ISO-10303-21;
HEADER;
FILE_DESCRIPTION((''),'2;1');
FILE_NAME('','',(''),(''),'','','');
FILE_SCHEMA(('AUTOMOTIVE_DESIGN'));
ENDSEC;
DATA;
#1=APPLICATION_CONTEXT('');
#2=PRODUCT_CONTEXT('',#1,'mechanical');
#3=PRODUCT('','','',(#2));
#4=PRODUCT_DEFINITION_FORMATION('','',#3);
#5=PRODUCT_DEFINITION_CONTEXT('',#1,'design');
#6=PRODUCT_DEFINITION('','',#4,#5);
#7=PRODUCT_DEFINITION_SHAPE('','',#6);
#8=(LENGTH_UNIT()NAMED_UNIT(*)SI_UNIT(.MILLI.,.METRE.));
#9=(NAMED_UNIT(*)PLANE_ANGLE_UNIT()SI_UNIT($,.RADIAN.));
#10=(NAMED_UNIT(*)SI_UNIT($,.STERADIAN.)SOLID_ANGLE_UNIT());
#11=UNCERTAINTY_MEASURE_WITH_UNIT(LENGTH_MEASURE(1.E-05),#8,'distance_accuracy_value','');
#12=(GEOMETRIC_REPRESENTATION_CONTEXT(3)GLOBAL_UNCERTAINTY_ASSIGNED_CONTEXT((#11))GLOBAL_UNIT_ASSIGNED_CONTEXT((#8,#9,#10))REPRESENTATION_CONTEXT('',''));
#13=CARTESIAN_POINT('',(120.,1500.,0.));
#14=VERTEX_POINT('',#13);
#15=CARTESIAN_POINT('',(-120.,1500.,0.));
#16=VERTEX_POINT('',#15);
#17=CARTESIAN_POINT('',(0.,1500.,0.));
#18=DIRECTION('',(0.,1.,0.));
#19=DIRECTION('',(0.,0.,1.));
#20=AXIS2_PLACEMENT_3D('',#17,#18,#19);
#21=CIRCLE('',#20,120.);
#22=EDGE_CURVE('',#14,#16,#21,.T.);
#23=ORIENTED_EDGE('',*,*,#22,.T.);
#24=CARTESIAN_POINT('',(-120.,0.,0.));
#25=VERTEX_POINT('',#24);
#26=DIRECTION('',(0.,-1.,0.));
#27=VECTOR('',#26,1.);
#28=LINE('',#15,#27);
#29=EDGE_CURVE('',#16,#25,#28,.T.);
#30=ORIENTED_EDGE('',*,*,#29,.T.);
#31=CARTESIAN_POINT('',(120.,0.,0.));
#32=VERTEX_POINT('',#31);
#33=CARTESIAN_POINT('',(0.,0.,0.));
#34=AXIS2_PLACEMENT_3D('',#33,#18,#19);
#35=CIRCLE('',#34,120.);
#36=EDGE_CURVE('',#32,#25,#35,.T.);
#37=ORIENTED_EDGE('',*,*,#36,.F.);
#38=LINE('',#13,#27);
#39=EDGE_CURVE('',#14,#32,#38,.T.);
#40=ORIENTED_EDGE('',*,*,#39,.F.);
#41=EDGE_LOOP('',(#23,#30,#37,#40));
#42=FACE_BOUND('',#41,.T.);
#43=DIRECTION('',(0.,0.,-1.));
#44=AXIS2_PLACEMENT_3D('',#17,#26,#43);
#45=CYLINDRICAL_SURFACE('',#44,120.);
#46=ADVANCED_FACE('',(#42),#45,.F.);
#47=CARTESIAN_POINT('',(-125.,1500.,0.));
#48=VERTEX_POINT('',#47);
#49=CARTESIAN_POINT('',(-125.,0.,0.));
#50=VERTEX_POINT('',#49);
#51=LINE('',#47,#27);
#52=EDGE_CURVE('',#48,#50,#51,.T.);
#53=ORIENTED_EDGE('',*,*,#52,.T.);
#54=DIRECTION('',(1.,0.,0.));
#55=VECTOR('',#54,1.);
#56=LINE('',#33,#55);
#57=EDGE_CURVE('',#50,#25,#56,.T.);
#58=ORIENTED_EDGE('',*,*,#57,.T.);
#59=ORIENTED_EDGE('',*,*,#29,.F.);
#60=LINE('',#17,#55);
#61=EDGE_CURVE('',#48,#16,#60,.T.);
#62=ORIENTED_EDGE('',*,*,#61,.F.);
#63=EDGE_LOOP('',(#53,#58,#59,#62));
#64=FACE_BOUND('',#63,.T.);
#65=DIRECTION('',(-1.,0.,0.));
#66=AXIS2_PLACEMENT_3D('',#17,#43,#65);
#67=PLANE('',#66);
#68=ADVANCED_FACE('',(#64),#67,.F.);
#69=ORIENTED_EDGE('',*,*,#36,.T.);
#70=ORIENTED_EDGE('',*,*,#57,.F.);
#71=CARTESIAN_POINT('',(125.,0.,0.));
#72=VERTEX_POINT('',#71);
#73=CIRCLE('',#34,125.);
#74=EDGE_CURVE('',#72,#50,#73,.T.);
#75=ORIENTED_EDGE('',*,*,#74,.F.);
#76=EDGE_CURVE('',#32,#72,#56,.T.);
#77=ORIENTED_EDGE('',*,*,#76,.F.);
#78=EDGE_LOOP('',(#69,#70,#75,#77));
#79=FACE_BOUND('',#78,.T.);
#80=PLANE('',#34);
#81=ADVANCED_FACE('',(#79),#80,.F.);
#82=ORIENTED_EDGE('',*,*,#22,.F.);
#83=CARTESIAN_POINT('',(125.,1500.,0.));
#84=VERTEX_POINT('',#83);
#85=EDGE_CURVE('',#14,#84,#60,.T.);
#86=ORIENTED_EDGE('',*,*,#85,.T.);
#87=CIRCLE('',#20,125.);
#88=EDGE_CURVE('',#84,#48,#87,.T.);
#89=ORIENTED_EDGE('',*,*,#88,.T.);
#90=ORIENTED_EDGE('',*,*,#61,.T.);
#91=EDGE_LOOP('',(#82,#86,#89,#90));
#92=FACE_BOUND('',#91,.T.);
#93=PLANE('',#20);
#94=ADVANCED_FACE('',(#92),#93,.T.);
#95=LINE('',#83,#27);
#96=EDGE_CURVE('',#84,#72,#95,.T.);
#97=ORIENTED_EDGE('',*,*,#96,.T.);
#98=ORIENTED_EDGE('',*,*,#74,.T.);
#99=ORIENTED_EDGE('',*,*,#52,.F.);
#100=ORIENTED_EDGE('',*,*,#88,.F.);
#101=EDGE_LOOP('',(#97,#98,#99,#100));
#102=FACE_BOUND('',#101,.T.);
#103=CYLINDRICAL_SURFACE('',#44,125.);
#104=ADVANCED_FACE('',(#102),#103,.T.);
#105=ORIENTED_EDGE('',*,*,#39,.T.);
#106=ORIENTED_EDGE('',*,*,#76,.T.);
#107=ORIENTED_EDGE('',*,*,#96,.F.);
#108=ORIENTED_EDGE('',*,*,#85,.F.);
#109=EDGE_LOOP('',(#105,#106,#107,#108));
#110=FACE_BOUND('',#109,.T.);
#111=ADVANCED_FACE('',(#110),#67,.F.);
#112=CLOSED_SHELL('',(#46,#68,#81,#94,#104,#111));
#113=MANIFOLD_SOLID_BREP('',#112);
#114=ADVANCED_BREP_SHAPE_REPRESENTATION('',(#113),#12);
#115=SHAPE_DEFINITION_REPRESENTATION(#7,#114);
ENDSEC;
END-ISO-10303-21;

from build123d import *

# Parameters (mm, degrees)
BOSS_EXTRUDE1_DEPTH = 1500


with BuildPart() as part:
    # Sketch2 → Boss-Extrude1 (new body)
    with BuildSketch(Plane(origin=(0, 0, 0), x_dir=(1, 0, 0), z_dir=(0, 1, 0))):
        with BuildLine():
            ThreePointArc((-120, 0), (0, 120), (120, 0))
            Line((120, 0), (125, 0))
            ThreePointArc((125, 0), (0, 125), (-125, 0))
            Line((-125, 0), (-120, 0))
        make_face()
    extrude(amount=BOSS_EXTRUDE1_DEPTH)


solid = part.part
